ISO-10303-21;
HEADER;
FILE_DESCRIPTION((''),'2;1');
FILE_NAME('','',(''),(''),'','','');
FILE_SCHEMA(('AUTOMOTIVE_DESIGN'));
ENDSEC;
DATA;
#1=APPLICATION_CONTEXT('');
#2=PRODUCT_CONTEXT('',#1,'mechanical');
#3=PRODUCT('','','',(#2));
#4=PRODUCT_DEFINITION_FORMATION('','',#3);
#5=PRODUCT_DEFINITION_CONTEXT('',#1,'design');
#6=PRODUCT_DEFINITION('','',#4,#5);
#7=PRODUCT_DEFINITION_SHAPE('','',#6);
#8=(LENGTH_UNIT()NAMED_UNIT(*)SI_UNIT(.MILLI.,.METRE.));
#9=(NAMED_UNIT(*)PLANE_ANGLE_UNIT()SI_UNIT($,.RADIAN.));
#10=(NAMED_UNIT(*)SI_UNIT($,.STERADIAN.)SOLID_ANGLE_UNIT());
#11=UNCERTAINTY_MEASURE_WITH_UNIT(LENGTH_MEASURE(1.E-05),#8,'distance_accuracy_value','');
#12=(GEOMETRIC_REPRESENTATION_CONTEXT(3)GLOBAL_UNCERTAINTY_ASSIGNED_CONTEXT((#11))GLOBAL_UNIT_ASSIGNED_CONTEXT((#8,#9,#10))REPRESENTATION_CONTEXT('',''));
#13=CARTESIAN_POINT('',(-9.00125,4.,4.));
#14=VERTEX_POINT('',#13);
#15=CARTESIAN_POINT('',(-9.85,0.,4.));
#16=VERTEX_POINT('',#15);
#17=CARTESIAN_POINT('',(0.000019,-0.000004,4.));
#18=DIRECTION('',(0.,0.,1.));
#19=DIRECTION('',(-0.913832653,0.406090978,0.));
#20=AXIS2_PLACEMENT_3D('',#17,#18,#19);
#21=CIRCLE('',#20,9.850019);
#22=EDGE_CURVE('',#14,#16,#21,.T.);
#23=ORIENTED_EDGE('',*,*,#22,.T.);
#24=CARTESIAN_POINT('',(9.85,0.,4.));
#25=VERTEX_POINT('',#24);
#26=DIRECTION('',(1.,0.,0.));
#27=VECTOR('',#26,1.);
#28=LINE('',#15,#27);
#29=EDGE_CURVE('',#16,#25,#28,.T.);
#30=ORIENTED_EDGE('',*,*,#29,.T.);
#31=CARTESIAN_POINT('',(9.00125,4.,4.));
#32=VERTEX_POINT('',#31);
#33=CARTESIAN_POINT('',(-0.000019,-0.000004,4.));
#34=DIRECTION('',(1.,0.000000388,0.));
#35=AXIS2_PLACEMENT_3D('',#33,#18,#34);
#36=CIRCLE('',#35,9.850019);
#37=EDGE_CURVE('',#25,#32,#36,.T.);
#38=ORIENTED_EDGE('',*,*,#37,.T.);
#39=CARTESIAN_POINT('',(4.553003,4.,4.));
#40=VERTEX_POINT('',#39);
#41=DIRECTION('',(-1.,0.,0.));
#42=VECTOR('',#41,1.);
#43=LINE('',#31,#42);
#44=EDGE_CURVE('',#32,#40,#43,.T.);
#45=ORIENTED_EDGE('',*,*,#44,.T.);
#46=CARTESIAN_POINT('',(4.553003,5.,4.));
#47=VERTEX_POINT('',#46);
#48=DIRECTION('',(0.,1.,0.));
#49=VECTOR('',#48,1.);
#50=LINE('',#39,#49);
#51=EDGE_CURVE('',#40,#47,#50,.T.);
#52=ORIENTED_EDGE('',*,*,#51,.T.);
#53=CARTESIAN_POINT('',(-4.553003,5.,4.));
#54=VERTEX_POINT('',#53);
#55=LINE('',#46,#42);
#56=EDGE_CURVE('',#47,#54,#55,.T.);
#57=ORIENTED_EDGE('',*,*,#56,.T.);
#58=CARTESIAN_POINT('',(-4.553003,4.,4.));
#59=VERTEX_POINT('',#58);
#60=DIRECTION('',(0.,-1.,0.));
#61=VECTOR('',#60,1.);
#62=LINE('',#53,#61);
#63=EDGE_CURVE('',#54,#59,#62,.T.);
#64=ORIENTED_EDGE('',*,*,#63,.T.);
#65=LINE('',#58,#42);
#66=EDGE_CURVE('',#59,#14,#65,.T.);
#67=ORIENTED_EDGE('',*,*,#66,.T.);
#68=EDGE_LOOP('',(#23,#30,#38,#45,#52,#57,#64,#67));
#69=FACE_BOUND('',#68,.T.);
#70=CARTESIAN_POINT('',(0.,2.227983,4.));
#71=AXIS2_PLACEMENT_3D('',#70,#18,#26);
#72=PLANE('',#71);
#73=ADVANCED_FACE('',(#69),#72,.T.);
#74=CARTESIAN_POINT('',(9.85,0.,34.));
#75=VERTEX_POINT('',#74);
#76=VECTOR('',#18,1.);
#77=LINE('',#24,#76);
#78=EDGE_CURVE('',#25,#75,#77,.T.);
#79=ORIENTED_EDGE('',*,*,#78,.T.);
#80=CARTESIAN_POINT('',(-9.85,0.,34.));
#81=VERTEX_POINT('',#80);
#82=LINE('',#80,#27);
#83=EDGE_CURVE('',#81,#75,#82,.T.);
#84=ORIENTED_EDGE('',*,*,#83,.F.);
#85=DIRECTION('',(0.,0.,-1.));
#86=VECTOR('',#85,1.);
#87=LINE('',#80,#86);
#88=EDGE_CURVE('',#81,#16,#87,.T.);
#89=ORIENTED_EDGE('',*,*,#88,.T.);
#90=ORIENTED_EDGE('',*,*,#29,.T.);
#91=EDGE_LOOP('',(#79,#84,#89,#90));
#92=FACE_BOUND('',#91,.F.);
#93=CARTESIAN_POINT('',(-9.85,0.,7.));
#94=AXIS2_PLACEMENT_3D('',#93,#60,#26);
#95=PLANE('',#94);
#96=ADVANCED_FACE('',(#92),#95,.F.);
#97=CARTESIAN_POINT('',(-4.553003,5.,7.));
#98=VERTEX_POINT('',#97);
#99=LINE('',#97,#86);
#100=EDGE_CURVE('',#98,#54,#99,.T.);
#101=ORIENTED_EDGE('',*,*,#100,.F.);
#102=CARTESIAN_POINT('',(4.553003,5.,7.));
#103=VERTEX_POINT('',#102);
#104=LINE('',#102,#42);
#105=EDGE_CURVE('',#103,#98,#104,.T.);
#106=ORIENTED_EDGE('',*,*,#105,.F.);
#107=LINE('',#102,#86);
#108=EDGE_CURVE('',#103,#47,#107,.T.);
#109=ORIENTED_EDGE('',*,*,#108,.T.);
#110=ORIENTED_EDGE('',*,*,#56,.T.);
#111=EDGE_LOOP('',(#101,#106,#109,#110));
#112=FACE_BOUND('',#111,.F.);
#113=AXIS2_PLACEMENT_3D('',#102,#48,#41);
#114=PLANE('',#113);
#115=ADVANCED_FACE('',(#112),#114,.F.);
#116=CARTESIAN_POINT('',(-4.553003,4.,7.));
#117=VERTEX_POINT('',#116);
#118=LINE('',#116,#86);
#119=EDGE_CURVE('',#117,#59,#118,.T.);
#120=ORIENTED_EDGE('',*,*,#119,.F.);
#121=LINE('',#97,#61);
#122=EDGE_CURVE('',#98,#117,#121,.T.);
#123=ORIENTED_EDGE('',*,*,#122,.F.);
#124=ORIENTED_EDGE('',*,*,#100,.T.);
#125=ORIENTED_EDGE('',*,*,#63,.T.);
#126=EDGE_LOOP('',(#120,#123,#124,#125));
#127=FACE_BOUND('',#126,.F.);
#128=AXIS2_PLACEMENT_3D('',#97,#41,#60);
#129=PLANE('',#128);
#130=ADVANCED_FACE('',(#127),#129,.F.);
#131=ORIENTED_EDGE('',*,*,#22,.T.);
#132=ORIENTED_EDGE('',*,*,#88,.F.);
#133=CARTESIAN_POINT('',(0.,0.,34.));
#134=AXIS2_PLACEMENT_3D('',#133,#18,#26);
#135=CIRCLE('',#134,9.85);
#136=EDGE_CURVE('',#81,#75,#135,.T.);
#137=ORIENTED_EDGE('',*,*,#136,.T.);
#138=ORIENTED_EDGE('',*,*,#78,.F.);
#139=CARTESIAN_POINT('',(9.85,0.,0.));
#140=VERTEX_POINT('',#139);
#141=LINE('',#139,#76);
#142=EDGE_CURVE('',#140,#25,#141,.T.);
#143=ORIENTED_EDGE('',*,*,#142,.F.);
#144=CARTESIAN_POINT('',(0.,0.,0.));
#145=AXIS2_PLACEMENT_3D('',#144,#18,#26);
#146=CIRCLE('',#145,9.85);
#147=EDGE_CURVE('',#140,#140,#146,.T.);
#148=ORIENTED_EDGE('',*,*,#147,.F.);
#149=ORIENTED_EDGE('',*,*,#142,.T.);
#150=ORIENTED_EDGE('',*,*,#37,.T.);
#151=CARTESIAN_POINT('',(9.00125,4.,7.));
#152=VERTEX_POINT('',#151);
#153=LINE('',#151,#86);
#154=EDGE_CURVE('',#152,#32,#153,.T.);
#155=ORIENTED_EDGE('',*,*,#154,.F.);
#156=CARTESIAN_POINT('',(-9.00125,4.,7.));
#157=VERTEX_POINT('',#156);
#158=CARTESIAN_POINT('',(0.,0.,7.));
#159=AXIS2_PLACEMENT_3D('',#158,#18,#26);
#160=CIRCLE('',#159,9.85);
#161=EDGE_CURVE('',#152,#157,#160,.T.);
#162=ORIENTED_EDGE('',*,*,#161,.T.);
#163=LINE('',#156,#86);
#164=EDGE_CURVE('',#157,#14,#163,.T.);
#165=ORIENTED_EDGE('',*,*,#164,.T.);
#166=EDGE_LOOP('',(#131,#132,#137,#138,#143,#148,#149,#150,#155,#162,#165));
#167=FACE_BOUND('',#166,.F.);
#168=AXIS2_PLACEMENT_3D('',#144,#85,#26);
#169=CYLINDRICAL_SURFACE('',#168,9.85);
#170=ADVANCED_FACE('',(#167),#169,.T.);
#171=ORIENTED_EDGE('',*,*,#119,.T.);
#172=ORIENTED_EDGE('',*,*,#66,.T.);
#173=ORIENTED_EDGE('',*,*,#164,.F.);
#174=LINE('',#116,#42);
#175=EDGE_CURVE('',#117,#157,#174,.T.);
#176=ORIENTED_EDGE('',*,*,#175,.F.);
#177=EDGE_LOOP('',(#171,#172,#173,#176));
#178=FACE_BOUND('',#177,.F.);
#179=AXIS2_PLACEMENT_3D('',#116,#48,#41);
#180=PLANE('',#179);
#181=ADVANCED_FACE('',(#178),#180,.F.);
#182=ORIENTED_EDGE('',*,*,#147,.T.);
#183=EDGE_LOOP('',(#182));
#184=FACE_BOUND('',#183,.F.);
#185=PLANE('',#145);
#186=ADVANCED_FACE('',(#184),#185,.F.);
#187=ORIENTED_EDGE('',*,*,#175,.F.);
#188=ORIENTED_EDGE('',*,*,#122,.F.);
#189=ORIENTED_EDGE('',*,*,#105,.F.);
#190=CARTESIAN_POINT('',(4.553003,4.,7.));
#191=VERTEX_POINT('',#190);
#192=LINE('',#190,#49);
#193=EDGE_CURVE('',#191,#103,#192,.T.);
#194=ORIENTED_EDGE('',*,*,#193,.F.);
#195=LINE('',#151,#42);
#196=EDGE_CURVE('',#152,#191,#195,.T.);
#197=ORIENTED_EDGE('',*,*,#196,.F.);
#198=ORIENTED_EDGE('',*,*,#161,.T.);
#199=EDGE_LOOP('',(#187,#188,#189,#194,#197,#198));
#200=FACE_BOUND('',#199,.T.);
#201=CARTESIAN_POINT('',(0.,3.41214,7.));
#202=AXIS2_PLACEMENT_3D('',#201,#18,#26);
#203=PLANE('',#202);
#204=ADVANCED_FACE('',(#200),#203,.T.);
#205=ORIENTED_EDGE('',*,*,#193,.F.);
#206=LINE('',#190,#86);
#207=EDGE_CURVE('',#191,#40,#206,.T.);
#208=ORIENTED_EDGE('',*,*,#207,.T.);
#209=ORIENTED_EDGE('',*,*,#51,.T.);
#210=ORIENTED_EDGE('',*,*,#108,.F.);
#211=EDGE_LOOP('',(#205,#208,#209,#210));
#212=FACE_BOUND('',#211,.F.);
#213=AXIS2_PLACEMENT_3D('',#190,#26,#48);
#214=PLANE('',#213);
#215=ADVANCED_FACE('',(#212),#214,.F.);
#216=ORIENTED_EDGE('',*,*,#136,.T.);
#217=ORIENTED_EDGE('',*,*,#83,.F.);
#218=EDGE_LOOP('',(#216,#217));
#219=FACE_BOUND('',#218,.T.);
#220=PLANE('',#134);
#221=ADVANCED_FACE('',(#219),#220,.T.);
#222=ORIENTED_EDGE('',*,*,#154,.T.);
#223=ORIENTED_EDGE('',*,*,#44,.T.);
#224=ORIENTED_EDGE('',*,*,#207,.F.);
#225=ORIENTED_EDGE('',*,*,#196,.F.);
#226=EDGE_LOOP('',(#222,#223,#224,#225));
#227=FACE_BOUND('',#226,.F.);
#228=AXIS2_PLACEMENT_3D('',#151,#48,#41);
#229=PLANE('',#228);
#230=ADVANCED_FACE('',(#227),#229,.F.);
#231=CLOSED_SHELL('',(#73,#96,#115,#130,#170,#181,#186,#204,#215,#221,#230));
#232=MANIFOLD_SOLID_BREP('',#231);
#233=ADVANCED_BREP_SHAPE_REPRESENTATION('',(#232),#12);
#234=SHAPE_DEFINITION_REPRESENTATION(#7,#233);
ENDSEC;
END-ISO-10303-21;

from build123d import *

# Parameters (mm, degrees)
F0_R     = 9.85
F1_DEPTH = 34
F3_DEPTH = 27
F5_DEPTH = 3


with BuildPart() as f1:
    # F0 (on Top) → F1 (new body)
    with BuildSketch(Plane.XY):
        Circle(F0_R)
    extrude(amount=F1_DEPTH)

    # F2 (on face) → F3 (cut)
    with BuildSketch(Plane.XY.offset(34)):
        with BuildLine():
            Line((-9.85, 0), (9.85, 0))
            ThreePointArc((9.85, 0), (0, 9.85), (-9.85, 0))
        make_face()
    extrude(amount=-F3_DEPTH, mode=Mode.SUBTRACT)

    # F4 (on face) → F5 (cut)
    with BuildSketch(Plane.XY.offset(7)):
        with BuildLine():
            ThreePointArc((-9.00125, 4), (-9.635476, 2.044528), (-9.85, 0))
            Line((-9.85, 0), (9.85, 0))
            ThreePointArc((9.85, 0), (9.635476, 2.044528), (9.00125, 4))
            Line((9.00125, 4), (4.553003, 4))
            Line((4.553003, 4), (4.553003, 5))
            Line((4.553003, 5), (-4.553003, 5))
            Line((-4.553003, 5), (-4.553003, 4))
            Line((-4.553003, 4), (-9.00125, 4))
        make_face()
    extrude(amount=-F5_DEPTH, mode=Mode.SUBTRACT)


solid = f1.part
